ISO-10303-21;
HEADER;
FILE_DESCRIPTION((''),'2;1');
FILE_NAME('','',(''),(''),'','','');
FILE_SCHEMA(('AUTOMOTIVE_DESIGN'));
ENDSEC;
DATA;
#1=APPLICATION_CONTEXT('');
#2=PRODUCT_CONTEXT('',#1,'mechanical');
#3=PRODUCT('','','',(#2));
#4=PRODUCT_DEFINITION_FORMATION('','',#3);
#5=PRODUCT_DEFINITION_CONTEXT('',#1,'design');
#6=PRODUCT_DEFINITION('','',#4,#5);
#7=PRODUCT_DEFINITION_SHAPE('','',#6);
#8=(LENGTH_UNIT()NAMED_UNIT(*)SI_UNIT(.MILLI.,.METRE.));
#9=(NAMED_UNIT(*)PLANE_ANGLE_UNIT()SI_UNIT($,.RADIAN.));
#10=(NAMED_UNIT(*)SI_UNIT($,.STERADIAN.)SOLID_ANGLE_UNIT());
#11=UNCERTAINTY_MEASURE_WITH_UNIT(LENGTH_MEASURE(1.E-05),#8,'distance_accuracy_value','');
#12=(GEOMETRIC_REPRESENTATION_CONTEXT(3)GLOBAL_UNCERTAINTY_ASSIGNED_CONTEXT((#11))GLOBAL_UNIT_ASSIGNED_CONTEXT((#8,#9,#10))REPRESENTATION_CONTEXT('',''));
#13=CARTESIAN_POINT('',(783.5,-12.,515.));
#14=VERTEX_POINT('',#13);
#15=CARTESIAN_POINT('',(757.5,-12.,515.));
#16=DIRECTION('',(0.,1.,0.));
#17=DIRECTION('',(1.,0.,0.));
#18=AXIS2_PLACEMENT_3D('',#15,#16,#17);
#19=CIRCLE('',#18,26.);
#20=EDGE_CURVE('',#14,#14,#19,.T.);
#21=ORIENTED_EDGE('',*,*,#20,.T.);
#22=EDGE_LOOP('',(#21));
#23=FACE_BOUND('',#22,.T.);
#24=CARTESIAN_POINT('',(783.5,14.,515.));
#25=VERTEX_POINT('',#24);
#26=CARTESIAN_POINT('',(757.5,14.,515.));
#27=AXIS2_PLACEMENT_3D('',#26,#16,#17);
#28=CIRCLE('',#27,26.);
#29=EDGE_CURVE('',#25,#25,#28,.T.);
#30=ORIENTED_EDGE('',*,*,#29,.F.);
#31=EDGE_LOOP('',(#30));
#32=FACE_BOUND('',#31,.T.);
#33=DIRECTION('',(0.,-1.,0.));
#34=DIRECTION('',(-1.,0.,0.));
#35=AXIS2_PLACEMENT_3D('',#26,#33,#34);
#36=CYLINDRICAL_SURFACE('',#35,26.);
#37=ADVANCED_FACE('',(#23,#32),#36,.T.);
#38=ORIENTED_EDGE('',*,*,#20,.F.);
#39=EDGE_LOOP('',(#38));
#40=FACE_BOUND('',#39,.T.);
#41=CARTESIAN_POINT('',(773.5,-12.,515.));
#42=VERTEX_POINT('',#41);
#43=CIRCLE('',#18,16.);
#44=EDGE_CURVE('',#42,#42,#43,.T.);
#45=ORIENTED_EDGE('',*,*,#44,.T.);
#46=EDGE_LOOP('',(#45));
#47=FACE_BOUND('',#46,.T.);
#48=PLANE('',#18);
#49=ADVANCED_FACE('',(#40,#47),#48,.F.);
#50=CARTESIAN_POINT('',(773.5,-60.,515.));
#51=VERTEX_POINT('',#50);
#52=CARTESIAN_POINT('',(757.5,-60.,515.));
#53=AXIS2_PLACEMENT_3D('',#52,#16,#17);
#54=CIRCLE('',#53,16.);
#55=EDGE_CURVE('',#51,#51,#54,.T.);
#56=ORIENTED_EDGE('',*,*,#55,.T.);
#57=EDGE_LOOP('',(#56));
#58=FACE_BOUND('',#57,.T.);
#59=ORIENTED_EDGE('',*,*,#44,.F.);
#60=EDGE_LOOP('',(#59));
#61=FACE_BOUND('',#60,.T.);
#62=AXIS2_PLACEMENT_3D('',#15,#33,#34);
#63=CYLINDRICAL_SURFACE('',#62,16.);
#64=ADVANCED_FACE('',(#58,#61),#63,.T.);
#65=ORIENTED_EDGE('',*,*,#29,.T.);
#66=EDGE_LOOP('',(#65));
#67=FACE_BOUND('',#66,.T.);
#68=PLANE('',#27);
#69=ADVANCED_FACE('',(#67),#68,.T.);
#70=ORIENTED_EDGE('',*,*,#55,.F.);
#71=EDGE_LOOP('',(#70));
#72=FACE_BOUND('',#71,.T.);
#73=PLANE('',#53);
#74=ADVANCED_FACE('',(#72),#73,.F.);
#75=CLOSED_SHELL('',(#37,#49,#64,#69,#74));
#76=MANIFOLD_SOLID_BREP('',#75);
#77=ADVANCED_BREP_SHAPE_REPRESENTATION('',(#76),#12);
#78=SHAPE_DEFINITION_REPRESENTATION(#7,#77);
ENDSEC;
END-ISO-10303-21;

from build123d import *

# Parameters (mm, degrees)
EXTRUDE_START          = -60
EXTRUDE_SKETCH_1_R     = 16
EXTRUDE_1_DEPTH        = 48
EXTRUDE_ROTATE_1_ANGLE = 90
EXTRUDE_START_2        = -12
EXTRUDE_SKETCH_2_R     = 26
EXTRUDE_2_DEPTH        = 26
EXTRUDE_ROTATE_2_ANGLE = 90


with BuildPart() as part:
    # Extrude sketch 1 → Extrude 1 (new body)
    with BuildSketch(Plane.XY.offset(EXTRUDE_START)):
        Circle(EXTRUDE_SKETCH_1_R)
    extrude(amount=EXTRUDE_1_DEPTH)


with BuildPart() as part_1:
    # Extrude rotate 1: moved
    add(part.part.rotate(Axis((0, 0, 0), (-1, 0, 0)), EXTRUDE_ROTATE_1_ANGLE))


with BuildPart() as part_2:
    # Extrude place 1: moved
    add(part_1.part.moved(Location((757.5, 0, 515))))


with BuildPart() as body_2:
    # Extrude sketch 2 → Extrude 2 (new body)
    with BuildSketch(Plane.XY.offset(EXTRUDE_START_2)):
        Circle(EXTRUDE_SKETCH_2_R)
    extrude(amount=EXTRUDE_2_DEPTH)


with BuildPart() as body_2_1:
    # Extrude rotate 2: moved
    add(body_2.part.rotate(Axis((0, 0, 0), (-1, 0, 0)), EXTRUDE_ROTATE_2_ANGLE))


with BuildPart() as body_2_2:
    # Extrude place 2: moved
    add(body_2_1.part.moved(Location((757.5, 0, 515))))


with BuildPart() as part_3:
    add(part_2.part)

    # Combine (weld / assembly of features): union body 2
    add(body_2_2.part)


solid = part_3.part
